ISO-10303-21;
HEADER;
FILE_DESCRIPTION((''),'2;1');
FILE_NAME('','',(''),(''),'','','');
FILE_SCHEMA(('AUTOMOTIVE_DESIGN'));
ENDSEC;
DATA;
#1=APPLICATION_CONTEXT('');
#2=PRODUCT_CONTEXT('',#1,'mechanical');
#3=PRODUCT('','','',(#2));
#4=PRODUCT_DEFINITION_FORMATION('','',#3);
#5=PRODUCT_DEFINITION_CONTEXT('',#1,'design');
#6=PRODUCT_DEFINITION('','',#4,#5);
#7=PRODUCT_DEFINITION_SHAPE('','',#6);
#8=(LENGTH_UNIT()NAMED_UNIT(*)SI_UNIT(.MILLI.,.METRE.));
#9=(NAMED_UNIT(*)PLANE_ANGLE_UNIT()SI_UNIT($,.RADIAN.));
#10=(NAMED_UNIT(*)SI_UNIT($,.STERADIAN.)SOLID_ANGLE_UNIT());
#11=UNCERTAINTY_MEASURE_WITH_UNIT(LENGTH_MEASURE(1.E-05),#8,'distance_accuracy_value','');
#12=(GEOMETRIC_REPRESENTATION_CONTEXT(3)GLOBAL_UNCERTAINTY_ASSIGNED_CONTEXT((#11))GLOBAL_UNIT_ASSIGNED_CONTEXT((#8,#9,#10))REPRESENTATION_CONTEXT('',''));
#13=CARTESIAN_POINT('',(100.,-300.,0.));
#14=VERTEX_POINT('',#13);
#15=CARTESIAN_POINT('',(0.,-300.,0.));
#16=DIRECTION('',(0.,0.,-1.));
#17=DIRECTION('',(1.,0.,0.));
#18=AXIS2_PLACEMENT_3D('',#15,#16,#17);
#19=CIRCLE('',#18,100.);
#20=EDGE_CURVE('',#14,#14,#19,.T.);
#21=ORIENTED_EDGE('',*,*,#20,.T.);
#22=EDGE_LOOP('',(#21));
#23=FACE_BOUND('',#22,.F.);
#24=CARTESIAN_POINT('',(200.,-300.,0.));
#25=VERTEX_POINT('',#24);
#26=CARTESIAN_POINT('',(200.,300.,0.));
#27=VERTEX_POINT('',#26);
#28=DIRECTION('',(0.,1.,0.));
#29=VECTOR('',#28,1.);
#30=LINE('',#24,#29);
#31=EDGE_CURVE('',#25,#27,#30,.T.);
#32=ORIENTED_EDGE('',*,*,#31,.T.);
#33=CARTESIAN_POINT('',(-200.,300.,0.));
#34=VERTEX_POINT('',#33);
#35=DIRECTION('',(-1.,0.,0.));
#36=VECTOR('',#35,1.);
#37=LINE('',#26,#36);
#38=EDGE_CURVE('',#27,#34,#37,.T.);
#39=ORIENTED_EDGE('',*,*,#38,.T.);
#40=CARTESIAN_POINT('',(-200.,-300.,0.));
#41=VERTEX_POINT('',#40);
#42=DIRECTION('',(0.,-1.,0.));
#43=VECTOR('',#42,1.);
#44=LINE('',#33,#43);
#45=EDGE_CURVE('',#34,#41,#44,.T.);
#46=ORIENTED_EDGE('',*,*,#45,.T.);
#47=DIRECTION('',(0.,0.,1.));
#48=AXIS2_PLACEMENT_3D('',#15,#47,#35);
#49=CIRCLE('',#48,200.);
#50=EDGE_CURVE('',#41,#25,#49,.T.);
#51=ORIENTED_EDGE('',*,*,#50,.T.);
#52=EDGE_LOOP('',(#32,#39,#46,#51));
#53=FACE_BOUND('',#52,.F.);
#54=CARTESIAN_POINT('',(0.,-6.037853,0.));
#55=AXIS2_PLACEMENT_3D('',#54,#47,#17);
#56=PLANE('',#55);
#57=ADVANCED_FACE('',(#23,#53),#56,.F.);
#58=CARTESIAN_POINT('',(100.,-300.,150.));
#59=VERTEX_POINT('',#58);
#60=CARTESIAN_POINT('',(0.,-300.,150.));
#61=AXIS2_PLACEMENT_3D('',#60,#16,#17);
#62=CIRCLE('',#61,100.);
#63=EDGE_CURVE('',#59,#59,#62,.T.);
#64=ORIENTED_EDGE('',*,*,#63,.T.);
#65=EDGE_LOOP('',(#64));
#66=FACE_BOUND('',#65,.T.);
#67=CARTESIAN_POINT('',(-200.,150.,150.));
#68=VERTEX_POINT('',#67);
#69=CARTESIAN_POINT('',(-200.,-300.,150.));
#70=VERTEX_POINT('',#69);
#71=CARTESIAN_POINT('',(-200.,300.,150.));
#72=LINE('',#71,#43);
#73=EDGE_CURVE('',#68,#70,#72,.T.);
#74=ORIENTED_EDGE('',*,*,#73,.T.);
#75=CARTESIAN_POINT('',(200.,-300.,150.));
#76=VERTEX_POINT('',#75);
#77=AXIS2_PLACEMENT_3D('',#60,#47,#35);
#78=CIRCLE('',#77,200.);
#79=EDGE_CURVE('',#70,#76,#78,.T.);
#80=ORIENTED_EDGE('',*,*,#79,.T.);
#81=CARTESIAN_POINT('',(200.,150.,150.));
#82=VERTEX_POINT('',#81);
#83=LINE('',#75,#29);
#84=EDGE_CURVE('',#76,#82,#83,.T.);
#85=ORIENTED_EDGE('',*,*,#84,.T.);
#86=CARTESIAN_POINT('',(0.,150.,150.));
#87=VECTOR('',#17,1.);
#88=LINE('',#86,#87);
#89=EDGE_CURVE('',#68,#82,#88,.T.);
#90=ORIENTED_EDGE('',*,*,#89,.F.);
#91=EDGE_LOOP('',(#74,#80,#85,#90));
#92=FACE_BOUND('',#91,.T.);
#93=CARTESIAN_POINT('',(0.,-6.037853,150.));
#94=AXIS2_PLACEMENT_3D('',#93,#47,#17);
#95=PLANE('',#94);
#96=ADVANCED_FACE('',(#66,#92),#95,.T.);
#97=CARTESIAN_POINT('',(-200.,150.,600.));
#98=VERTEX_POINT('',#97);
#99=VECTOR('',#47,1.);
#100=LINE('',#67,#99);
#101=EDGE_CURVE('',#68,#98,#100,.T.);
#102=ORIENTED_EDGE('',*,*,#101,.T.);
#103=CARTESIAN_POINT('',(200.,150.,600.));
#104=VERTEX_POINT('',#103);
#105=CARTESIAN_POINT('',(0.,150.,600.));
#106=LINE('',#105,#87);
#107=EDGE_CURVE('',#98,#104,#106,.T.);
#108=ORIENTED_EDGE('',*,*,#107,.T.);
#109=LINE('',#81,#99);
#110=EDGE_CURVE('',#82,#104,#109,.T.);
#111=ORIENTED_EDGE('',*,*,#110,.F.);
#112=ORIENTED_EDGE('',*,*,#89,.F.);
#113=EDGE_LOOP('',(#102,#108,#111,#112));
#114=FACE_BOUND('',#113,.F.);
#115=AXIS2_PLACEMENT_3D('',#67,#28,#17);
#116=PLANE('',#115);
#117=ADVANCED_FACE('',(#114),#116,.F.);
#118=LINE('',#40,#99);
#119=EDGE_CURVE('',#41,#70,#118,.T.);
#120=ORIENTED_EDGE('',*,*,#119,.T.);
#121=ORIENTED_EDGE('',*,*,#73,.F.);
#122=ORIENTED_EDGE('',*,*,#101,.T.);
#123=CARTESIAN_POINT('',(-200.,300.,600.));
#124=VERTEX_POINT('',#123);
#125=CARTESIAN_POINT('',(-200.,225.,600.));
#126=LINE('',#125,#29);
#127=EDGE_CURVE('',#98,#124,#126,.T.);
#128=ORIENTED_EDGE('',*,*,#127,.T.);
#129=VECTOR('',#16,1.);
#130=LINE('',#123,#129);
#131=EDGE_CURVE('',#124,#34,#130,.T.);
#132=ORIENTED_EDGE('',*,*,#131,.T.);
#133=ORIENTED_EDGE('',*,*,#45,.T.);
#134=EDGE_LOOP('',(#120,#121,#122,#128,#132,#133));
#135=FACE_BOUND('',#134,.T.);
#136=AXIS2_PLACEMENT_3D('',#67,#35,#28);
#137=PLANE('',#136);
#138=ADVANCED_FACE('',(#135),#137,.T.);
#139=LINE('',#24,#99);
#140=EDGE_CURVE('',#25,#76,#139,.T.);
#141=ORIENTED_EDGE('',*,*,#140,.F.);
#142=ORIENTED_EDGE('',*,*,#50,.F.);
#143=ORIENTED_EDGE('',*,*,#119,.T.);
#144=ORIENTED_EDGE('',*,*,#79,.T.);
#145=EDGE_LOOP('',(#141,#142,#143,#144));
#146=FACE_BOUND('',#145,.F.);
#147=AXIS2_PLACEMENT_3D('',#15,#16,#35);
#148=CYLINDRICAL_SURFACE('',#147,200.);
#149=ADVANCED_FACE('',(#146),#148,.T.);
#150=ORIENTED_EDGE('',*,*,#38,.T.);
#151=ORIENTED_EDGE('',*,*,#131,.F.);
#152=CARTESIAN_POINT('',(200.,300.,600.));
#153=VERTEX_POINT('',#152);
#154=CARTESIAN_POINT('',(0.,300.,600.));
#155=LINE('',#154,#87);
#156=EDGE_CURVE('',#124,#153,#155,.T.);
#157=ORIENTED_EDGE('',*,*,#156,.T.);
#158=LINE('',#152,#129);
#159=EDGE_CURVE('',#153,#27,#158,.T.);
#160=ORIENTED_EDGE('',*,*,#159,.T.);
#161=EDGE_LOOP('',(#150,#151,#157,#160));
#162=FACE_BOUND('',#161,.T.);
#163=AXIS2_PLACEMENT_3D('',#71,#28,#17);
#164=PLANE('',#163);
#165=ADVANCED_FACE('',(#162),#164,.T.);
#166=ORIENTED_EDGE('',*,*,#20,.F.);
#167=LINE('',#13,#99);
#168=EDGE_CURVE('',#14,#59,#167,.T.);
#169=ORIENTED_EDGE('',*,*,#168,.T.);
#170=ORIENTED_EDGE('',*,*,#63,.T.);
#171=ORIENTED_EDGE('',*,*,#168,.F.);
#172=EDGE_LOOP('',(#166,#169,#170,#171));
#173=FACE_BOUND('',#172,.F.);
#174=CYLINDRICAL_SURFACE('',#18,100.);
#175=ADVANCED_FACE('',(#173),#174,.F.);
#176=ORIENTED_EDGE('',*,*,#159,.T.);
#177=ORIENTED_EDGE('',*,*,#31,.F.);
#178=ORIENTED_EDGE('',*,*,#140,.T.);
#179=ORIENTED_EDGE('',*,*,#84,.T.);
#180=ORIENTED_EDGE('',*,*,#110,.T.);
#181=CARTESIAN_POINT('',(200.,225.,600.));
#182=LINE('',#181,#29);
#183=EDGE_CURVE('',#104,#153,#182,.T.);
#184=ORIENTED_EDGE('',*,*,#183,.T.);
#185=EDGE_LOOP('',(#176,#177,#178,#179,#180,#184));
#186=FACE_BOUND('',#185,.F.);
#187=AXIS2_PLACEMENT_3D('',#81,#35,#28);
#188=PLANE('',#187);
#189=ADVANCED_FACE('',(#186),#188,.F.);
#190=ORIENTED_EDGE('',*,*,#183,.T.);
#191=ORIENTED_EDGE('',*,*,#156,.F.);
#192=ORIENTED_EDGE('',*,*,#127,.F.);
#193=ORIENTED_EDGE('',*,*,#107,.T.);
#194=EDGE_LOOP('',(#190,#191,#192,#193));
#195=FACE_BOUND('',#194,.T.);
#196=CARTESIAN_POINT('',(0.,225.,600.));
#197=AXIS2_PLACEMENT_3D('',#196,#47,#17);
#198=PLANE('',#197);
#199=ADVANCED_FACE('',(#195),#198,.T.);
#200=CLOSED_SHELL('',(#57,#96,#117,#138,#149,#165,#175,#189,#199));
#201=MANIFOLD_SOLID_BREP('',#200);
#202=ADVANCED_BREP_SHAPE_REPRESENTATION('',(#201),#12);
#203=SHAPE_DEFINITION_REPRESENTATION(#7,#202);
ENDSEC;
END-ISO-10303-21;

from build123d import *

# Parameters (mm, degrees)
F1_DEPTH = 150
F2_W     = 400
F2_H     = 150
F3_DEPTH = 450


with BuildPart() as f1:
    # F0 (on Top) → F1 (new body)
    with BuildSketch(Plane.XY):
        with BuildLine():
            ThreePointArc((-100, -300), (0, -200), (100, -300))
            Line((100, -300), (200, -300))
            Line((200, -300), (200, 300))
            Line((200, 300), (-200, 300))
            Line((-200, 300), (-200, -300))
            Line((-200, -300), (-100, -300))
        make_face()
        with BuildLine():
            Line((200, -300), (100, -300))
            ThreePointArc((100, -300), (0, -400), (-100, -300))
            Line((-100, -300), (-200, -300))
            ThreePointArc((-200, -300), (0, -500), (200, -300))
        make_face()
    extrude(amount=F1_DEPTH)

    # F2 (on face) → F3 (join)
    with BuildSketch(Plane.XY.offset(150)):
        with Locations((0, 225)):
            Rectangle(F2_W, F2_H)
    extrude(amount=F3_DEPTH)


solid = f1.part
